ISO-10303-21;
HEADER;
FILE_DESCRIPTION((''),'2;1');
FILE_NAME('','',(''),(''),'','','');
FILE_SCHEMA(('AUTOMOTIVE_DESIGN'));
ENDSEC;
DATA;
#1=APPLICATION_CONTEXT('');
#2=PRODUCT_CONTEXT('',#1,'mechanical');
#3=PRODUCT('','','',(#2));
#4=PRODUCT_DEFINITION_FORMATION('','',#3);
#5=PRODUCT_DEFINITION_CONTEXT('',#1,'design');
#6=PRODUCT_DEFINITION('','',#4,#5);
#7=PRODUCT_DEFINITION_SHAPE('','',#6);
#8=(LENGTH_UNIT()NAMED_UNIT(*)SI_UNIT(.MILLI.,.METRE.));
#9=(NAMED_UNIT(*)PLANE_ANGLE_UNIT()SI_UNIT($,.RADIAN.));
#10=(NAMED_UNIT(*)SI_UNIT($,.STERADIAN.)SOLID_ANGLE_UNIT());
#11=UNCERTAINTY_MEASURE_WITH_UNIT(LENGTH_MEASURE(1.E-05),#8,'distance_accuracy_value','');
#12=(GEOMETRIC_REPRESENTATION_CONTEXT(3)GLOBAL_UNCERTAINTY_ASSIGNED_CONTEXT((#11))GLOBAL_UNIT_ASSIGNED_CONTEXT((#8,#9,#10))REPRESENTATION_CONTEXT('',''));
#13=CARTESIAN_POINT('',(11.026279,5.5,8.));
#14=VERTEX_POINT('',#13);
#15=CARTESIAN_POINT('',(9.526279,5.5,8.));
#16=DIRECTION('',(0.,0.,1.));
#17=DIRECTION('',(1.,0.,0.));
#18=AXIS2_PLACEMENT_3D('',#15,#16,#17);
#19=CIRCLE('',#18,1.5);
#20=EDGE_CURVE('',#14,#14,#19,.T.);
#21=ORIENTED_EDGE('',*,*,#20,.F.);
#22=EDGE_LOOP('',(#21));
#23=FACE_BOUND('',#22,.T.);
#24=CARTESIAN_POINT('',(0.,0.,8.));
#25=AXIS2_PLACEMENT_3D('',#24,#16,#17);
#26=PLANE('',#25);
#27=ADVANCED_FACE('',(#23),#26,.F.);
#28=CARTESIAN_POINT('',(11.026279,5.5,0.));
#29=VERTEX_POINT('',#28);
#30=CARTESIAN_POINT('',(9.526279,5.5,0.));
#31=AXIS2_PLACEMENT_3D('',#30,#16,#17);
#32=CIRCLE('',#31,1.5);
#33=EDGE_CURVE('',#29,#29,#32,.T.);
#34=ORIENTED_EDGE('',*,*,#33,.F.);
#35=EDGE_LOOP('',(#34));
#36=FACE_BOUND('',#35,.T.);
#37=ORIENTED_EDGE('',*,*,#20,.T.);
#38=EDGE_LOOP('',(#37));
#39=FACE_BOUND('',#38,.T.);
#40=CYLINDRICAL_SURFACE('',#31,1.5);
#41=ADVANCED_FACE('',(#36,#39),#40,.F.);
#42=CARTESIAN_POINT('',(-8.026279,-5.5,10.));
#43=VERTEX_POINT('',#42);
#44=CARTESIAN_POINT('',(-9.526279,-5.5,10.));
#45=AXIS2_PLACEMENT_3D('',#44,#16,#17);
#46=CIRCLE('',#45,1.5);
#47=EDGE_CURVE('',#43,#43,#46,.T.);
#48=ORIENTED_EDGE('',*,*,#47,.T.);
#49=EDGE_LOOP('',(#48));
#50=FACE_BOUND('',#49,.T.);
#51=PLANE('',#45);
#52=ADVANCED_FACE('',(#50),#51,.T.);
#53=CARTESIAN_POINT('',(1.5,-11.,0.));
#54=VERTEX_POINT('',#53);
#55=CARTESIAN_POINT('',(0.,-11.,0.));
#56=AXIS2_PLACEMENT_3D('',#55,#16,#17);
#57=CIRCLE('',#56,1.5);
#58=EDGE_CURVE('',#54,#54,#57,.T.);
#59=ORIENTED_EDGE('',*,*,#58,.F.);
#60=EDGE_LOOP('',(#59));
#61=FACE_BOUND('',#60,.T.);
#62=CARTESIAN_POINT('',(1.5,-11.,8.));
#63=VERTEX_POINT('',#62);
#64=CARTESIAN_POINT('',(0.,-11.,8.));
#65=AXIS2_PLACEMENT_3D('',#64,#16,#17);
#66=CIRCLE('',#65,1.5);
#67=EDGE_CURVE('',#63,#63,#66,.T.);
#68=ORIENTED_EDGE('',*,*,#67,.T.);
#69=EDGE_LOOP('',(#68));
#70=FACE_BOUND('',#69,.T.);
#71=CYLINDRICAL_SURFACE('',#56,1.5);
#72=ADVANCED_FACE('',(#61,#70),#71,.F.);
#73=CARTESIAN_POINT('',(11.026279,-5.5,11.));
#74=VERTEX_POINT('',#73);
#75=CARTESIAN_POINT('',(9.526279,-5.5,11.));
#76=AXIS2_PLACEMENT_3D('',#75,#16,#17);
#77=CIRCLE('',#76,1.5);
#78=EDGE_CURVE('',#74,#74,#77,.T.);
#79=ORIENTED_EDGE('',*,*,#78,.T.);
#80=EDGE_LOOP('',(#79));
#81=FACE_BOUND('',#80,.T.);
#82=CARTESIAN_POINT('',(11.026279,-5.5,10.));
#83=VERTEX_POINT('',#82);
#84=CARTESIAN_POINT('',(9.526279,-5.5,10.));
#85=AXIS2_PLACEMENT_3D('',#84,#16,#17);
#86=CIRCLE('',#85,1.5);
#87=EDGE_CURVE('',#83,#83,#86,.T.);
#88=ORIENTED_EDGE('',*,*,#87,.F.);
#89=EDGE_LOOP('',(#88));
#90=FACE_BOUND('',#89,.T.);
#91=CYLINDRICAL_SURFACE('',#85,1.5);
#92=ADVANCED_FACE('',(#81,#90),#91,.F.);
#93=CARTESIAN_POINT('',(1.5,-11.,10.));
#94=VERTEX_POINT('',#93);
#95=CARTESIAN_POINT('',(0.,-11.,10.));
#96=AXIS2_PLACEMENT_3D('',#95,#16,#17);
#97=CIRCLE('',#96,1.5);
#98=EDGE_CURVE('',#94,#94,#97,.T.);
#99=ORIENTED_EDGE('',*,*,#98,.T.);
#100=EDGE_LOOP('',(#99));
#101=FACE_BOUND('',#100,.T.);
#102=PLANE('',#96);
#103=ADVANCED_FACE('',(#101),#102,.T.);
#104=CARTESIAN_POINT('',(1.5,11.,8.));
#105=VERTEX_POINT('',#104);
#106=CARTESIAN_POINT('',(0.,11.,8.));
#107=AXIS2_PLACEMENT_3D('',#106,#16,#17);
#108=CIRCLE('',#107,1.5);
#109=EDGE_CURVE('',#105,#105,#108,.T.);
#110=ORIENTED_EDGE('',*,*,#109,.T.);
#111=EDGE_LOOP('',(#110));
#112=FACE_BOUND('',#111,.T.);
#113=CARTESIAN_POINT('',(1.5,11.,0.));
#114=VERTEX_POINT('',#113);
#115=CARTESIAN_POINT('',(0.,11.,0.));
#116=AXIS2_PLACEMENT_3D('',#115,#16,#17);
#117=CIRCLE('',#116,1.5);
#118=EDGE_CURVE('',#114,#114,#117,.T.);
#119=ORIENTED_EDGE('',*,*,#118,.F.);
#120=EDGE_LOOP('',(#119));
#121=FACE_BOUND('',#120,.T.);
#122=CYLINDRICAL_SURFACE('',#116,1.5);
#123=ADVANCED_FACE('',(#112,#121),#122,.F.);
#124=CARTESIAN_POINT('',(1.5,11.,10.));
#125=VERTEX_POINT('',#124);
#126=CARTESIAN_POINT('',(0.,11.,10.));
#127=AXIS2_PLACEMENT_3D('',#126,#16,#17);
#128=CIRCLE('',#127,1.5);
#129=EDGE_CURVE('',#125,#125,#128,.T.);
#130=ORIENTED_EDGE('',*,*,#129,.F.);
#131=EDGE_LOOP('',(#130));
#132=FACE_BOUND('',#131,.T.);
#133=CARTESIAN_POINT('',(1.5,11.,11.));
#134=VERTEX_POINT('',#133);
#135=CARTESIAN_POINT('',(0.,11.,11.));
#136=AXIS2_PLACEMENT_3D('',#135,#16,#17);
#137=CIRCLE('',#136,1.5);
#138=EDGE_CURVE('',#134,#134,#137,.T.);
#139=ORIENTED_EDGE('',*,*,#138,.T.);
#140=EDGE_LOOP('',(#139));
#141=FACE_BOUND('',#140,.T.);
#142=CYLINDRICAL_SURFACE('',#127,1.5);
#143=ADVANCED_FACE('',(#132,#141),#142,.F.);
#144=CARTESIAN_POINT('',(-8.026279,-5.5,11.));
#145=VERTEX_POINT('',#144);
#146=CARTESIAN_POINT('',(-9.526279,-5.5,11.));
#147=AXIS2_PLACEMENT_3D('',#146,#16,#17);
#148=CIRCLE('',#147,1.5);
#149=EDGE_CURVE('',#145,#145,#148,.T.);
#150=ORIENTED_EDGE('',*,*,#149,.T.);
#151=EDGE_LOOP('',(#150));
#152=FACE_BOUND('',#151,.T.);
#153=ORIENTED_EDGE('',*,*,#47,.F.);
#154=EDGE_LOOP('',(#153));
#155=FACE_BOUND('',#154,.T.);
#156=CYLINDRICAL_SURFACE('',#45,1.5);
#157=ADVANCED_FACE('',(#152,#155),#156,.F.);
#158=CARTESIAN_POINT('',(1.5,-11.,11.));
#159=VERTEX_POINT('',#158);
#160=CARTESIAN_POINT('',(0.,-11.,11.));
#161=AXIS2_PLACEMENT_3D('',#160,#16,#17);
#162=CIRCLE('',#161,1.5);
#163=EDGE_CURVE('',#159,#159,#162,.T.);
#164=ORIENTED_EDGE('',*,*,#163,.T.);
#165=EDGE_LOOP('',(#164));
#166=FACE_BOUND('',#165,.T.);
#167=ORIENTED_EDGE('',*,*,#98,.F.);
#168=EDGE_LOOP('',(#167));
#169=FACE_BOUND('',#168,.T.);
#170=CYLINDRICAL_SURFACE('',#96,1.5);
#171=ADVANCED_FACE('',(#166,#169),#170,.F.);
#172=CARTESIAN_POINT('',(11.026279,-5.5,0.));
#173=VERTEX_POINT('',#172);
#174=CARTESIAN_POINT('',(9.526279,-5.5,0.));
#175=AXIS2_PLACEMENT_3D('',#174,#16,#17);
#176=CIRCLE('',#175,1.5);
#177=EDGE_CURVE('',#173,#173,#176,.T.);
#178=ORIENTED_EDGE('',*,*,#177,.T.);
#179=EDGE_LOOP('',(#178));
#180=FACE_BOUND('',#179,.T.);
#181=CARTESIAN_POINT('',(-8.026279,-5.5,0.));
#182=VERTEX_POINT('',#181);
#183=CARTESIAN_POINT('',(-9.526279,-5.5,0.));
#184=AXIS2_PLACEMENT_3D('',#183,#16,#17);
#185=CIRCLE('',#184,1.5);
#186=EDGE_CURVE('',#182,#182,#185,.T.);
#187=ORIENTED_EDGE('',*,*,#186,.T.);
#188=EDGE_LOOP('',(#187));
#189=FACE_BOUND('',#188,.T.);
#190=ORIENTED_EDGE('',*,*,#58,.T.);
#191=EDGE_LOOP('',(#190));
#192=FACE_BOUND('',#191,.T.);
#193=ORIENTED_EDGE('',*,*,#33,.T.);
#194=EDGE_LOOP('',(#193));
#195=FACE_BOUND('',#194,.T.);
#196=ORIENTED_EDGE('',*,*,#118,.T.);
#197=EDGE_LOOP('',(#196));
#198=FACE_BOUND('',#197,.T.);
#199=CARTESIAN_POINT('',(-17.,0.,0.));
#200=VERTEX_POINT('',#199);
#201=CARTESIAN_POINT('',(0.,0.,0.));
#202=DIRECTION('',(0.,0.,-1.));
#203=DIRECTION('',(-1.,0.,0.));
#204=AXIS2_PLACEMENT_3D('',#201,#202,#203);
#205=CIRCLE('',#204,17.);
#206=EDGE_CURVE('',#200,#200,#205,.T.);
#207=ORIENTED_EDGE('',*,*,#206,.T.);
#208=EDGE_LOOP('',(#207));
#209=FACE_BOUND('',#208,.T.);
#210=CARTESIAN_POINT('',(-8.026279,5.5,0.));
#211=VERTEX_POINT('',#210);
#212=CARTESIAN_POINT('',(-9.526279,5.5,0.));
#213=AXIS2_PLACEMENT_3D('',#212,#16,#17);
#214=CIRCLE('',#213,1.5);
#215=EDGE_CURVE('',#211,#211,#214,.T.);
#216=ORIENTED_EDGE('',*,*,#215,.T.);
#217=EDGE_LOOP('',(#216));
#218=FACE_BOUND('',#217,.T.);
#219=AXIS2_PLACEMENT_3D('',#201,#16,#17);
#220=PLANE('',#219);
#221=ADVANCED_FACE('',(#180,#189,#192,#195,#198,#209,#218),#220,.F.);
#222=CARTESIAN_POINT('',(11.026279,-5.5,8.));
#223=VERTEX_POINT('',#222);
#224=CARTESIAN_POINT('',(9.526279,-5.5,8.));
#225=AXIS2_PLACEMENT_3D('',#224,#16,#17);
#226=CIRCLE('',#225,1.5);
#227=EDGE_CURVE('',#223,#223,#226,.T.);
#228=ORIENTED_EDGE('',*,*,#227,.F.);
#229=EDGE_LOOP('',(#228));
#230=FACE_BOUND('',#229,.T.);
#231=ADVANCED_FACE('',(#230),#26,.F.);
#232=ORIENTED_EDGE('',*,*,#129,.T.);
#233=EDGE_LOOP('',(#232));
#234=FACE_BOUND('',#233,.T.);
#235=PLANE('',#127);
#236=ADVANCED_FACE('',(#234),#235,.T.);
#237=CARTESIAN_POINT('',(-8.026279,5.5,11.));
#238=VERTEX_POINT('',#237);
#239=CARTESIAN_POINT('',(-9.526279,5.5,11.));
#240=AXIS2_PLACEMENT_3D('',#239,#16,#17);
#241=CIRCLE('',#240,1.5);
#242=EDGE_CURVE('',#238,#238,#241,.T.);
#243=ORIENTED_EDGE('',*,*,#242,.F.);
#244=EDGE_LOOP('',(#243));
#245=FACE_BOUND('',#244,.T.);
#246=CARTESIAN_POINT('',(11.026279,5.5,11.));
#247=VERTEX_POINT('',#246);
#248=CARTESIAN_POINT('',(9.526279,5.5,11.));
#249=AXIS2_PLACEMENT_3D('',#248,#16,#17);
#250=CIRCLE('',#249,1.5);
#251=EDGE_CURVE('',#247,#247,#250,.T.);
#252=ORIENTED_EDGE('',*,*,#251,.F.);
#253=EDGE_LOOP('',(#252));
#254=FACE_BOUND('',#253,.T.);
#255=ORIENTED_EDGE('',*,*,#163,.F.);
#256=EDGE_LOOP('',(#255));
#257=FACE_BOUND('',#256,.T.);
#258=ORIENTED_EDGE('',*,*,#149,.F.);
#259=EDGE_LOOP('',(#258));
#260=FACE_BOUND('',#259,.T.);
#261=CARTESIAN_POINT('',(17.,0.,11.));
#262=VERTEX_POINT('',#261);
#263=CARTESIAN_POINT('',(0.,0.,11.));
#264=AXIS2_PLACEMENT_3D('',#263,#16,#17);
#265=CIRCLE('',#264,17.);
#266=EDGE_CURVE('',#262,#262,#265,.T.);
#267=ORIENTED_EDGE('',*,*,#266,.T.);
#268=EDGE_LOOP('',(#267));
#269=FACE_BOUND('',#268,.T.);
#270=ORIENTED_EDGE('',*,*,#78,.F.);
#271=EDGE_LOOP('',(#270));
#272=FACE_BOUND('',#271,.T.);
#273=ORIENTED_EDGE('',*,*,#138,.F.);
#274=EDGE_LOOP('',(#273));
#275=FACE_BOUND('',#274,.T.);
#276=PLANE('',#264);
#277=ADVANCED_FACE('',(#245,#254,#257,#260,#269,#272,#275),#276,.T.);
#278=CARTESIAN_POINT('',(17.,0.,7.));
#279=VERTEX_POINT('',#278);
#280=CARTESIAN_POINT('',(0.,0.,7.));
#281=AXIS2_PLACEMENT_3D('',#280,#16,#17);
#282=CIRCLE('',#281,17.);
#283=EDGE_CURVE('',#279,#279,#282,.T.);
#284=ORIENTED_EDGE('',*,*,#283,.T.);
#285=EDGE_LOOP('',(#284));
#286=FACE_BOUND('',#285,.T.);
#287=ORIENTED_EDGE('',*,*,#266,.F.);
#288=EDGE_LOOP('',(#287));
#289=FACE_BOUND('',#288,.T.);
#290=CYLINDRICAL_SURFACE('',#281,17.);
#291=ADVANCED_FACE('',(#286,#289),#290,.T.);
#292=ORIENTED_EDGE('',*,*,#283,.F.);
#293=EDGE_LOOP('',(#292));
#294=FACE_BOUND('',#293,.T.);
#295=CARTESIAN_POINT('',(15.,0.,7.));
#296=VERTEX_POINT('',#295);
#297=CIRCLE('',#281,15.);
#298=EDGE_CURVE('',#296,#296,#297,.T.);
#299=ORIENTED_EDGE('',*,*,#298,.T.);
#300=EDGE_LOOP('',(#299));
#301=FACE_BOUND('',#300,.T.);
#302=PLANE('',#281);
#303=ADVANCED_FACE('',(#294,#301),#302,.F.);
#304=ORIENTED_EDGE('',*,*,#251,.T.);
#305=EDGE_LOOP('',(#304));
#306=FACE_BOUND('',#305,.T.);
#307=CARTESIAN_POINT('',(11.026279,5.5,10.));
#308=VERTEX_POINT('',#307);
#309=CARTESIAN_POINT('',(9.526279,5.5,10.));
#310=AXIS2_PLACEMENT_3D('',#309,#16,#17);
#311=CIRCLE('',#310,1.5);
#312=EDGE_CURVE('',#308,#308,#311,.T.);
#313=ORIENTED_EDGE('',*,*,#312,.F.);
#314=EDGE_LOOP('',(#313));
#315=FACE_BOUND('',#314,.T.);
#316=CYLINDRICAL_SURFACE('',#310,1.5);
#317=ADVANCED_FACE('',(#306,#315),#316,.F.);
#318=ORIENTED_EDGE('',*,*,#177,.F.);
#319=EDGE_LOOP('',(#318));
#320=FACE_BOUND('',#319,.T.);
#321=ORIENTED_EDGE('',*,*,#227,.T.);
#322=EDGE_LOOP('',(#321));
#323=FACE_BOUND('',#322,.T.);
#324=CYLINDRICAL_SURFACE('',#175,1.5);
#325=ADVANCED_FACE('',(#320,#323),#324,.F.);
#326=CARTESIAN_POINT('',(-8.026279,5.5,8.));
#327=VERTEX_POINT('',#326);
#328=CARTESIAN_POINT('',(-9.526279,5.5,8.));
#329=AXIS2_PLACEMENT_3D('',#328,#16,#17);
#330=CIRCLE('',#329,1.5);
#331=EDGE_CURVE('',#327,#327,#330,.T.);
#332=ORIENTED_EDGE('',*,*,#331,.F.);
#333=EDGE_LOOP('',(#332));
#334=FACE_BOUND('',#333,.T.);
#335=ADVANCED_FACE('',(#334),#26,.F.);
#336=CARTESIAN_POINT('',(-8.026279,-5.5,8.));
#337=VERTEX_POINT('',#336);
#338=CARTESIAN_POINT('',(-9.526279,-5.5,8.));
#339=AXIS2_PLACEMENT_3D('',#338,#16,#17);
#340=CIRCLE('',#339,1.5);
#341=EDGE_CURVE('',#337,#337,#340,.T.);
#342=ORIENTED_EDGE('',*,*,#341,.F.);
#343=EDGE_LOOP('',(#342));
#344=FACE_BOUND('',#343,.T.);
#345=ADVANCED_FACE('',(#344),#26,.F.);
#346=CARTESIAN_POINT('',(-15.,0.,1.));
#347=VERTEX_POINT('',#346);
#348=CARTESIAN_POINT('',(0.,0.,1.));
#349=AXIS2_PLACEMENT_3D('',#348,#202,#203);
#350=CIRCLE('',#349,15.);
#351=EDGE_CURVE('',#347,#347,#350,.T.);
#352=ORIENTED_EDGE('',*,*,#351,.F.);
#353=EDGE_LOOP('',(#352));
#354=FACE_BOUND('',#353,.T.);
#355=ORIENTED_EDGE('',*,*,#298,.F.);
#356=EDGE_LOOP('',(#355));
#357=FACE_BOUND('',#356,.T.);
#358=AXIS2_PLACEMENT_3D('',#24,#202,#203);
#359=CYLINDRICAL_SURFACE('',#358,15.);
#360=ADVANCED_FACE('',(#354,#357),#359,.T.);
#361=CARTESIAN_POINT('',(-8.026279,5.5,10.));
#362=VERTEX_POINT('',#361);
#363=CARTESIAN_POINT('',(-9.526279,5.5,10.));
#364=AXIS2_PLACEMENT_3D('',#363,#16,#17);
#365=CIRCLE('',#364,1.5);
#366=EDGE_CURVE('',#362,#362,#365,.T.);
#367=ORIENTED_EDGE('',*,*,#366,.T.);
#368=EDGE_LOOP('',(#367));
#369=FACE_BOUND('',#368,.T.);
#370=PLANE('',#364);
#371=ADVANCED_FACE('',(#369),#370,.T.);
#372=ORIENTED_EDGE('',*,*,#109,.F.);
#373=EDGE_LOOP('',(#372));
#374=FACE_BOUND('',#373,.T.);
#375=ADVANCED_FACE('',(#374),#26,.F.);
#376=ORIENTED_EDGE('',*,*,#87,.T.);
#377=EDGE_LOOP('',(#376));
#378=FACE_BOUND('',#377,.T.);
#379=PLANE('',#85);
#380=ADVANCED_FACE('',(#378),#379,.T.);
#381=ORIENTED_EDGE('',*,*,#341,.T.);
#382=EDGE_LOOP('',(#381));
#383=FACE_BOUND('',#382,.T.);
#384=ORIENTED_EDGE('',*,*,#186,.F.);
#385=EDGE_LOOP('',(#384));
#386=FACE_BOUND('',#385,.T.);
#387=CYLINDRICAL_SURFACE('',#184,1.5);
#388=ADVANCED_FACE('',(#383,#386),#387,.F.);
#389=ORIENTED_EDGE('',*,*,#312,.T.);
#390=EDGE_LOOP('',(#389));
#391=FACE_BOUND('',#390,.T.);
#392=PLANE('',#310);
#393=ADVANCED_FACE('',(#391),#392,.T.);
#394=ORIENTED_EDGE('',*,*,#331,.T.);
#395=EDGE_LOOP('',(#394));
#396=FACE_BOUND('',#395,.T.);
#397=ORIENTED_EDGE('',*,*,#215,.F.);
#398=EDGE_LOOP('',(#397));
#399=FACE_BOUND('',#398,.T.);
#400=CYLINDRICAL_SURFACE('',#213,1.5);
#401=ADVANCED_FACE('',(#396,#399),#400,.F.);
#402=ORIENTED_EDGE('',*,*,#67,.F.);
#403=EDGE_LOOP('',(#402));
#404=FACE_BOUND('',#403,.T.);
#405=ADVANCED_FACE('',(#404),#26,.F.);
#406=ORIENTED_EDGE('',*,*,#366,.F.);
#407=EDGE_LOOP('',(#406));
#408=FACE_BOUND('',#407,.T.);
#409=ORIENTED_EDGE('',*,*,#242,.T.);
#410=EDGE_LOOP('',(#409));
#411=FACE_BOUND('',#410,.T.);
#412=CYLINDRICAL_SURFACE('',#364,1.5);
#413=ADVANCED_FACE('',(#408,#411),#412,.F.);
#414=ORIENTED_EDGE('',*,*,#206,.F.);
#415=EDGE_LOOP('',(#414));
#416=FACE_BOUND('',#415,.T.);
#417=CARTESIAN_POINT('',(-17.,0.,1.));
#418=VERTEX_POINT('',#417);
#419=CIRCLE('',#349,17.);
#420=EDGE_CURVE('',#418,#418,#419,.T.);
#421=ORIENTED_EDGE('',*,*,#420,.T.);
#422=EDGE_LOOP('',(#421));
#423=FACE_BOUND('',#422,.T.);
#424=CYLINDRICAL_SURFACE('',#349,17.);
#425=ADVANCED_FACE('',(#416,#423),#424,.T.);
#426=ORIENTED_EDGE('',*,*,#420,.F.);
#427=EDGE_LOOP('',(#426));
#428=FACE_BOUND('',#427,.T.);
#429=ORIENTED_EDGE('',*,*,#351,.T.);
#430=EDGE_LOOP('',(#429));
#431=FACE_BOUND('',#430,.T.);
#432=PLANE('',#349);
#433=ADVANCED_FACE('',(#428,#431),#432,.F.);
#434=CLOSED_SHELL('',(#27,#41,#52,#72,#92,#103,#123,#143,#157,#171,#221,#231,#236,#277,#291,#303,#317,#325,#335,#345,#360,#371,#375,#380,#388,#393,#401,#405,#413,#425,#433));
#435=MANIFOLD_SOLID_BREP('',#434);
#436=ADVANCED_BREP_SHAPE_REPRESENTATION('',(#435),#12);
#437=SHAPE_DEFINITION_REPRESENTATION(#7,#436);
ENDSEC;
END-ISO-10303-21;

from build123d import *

# Parameters (mm, degrees)
SKETCH_1_R          = 15
EXTRUDE_1_DEPTH     = 8
SKETCH_2_R          = 17
SKETCH_2_R_2        = 15
EXTRUDE_2_DEPTH     = 1
SKETCH_3_R          = 1.5
CUT_EXTRUDE_1_DEPTH = 26.337718919
EXTRUDE_START       = -1
SKETCH_4_R          = 17
SKETCH_4_R_2        = 15
EXTRUDE_3_DEPTH     = 1
SKETCH_5_R          = 17
EXTRUDE_4_DEPTH     = 3
SKETCH_6_R          = 1.5
CUT_EXTRUDE_6_DEPTH = 1


with BuildPart() as part:
    # 草图1 → 凸台-拉伸1 (new body)
    with BuildSketch(Plane.XY):
        Circle(SKETCH_1_R)
    extrude(amount=EXTRUDE_1_DEPTH)

    # 草图2 → 凸台-拉伸2 (add)
    with BuildSketch(Plane(origin=(0, 0, 0), x_dir=(-1, 0, 0), z_dir=(0, 0, -1))):
        Circle(SKETCH_2_R)
        Circle(SKETCH_2_R_2, mode=Mode.SUBTRACT)
    extrude(amount=-EXTRUDE_2_DEPTH)

    # 草图3 → 切除-拉伸1 (cut, through all)
    with BuildSketch(Plane.XY.offset(8)):
        with Locations((0, 11)):
            Circle(SKETCH_3_R)
        with Locations((9.526279442, 5.5)):
            Circle(SKETCH_3_R)
        with Locations((9.526279442, -5.5)):
            Circle(SKETCH_3_R)
        with Locations((0, -11)):
            Circle(SKETCH_3_R)
        with Locations((-9.526279442, -5.5)):
            Circle(SKETCH_3_R)
        with Locations((-9.526279442, 5.5)):
            Circle(SKETCH_3_R)
    extrude(amount=-CUT_EXTRUDE_1_DEPTH, mode=Mode.SUBTRACT)

    # 草图4 → 凸台-拉伸3 (add)
    with BuildSketch(Plane.XY.offset(8).offset(EXTRUDE_START)):
        with Locations(Location((0, 0, 0), (0, 0, 180))):
            Circle(SKETCH_4_R)
        with Locations(Location((0, 0, 0), (0, 0, 180))):
            Circle(SKETCH_4_R_2, mode=Mode.SUBTRACT)
    extrude(amount=EXTRUDE_3_DEPTH)

    # 草图5 → 凸台-拉伸4 (add)
    with BuildSketch(Plane.XY.offset(8)):
        with Locations(Location((0, 0, 0), (0, 0, 180))):
            Circle(SKETCH_5_R)
    extrude(amount=EXTRUDE_4_DEPTH)

    # 草图6 → 切除-拉伸6 (cut)
    with BuildSketch(Plane.XY.offset(11)):
        with Locations((0, 11)):
            Circle(SKETCH_6_R)
        with Locations((9.526279442, 5.5)):
            Circle(SKETCH_6_R)
        with Locations((9.526279442, -5.5)):
            Circle(SKETCH_6_R)
        with Locations((0, -11)):
            Circle(SKETCH_6_R)
        with Locations((-9.526279442, -5.5)):
            Circle(SKETCH_6_R)
        with Locations((-9.526279442, 5.5)):
            Circle(SKETCH_6_R)
    extrude(amount=-CUT_EXTRUDE_6_DEPTH, mode=Mode.SUBTRACT)


solid = part.part
